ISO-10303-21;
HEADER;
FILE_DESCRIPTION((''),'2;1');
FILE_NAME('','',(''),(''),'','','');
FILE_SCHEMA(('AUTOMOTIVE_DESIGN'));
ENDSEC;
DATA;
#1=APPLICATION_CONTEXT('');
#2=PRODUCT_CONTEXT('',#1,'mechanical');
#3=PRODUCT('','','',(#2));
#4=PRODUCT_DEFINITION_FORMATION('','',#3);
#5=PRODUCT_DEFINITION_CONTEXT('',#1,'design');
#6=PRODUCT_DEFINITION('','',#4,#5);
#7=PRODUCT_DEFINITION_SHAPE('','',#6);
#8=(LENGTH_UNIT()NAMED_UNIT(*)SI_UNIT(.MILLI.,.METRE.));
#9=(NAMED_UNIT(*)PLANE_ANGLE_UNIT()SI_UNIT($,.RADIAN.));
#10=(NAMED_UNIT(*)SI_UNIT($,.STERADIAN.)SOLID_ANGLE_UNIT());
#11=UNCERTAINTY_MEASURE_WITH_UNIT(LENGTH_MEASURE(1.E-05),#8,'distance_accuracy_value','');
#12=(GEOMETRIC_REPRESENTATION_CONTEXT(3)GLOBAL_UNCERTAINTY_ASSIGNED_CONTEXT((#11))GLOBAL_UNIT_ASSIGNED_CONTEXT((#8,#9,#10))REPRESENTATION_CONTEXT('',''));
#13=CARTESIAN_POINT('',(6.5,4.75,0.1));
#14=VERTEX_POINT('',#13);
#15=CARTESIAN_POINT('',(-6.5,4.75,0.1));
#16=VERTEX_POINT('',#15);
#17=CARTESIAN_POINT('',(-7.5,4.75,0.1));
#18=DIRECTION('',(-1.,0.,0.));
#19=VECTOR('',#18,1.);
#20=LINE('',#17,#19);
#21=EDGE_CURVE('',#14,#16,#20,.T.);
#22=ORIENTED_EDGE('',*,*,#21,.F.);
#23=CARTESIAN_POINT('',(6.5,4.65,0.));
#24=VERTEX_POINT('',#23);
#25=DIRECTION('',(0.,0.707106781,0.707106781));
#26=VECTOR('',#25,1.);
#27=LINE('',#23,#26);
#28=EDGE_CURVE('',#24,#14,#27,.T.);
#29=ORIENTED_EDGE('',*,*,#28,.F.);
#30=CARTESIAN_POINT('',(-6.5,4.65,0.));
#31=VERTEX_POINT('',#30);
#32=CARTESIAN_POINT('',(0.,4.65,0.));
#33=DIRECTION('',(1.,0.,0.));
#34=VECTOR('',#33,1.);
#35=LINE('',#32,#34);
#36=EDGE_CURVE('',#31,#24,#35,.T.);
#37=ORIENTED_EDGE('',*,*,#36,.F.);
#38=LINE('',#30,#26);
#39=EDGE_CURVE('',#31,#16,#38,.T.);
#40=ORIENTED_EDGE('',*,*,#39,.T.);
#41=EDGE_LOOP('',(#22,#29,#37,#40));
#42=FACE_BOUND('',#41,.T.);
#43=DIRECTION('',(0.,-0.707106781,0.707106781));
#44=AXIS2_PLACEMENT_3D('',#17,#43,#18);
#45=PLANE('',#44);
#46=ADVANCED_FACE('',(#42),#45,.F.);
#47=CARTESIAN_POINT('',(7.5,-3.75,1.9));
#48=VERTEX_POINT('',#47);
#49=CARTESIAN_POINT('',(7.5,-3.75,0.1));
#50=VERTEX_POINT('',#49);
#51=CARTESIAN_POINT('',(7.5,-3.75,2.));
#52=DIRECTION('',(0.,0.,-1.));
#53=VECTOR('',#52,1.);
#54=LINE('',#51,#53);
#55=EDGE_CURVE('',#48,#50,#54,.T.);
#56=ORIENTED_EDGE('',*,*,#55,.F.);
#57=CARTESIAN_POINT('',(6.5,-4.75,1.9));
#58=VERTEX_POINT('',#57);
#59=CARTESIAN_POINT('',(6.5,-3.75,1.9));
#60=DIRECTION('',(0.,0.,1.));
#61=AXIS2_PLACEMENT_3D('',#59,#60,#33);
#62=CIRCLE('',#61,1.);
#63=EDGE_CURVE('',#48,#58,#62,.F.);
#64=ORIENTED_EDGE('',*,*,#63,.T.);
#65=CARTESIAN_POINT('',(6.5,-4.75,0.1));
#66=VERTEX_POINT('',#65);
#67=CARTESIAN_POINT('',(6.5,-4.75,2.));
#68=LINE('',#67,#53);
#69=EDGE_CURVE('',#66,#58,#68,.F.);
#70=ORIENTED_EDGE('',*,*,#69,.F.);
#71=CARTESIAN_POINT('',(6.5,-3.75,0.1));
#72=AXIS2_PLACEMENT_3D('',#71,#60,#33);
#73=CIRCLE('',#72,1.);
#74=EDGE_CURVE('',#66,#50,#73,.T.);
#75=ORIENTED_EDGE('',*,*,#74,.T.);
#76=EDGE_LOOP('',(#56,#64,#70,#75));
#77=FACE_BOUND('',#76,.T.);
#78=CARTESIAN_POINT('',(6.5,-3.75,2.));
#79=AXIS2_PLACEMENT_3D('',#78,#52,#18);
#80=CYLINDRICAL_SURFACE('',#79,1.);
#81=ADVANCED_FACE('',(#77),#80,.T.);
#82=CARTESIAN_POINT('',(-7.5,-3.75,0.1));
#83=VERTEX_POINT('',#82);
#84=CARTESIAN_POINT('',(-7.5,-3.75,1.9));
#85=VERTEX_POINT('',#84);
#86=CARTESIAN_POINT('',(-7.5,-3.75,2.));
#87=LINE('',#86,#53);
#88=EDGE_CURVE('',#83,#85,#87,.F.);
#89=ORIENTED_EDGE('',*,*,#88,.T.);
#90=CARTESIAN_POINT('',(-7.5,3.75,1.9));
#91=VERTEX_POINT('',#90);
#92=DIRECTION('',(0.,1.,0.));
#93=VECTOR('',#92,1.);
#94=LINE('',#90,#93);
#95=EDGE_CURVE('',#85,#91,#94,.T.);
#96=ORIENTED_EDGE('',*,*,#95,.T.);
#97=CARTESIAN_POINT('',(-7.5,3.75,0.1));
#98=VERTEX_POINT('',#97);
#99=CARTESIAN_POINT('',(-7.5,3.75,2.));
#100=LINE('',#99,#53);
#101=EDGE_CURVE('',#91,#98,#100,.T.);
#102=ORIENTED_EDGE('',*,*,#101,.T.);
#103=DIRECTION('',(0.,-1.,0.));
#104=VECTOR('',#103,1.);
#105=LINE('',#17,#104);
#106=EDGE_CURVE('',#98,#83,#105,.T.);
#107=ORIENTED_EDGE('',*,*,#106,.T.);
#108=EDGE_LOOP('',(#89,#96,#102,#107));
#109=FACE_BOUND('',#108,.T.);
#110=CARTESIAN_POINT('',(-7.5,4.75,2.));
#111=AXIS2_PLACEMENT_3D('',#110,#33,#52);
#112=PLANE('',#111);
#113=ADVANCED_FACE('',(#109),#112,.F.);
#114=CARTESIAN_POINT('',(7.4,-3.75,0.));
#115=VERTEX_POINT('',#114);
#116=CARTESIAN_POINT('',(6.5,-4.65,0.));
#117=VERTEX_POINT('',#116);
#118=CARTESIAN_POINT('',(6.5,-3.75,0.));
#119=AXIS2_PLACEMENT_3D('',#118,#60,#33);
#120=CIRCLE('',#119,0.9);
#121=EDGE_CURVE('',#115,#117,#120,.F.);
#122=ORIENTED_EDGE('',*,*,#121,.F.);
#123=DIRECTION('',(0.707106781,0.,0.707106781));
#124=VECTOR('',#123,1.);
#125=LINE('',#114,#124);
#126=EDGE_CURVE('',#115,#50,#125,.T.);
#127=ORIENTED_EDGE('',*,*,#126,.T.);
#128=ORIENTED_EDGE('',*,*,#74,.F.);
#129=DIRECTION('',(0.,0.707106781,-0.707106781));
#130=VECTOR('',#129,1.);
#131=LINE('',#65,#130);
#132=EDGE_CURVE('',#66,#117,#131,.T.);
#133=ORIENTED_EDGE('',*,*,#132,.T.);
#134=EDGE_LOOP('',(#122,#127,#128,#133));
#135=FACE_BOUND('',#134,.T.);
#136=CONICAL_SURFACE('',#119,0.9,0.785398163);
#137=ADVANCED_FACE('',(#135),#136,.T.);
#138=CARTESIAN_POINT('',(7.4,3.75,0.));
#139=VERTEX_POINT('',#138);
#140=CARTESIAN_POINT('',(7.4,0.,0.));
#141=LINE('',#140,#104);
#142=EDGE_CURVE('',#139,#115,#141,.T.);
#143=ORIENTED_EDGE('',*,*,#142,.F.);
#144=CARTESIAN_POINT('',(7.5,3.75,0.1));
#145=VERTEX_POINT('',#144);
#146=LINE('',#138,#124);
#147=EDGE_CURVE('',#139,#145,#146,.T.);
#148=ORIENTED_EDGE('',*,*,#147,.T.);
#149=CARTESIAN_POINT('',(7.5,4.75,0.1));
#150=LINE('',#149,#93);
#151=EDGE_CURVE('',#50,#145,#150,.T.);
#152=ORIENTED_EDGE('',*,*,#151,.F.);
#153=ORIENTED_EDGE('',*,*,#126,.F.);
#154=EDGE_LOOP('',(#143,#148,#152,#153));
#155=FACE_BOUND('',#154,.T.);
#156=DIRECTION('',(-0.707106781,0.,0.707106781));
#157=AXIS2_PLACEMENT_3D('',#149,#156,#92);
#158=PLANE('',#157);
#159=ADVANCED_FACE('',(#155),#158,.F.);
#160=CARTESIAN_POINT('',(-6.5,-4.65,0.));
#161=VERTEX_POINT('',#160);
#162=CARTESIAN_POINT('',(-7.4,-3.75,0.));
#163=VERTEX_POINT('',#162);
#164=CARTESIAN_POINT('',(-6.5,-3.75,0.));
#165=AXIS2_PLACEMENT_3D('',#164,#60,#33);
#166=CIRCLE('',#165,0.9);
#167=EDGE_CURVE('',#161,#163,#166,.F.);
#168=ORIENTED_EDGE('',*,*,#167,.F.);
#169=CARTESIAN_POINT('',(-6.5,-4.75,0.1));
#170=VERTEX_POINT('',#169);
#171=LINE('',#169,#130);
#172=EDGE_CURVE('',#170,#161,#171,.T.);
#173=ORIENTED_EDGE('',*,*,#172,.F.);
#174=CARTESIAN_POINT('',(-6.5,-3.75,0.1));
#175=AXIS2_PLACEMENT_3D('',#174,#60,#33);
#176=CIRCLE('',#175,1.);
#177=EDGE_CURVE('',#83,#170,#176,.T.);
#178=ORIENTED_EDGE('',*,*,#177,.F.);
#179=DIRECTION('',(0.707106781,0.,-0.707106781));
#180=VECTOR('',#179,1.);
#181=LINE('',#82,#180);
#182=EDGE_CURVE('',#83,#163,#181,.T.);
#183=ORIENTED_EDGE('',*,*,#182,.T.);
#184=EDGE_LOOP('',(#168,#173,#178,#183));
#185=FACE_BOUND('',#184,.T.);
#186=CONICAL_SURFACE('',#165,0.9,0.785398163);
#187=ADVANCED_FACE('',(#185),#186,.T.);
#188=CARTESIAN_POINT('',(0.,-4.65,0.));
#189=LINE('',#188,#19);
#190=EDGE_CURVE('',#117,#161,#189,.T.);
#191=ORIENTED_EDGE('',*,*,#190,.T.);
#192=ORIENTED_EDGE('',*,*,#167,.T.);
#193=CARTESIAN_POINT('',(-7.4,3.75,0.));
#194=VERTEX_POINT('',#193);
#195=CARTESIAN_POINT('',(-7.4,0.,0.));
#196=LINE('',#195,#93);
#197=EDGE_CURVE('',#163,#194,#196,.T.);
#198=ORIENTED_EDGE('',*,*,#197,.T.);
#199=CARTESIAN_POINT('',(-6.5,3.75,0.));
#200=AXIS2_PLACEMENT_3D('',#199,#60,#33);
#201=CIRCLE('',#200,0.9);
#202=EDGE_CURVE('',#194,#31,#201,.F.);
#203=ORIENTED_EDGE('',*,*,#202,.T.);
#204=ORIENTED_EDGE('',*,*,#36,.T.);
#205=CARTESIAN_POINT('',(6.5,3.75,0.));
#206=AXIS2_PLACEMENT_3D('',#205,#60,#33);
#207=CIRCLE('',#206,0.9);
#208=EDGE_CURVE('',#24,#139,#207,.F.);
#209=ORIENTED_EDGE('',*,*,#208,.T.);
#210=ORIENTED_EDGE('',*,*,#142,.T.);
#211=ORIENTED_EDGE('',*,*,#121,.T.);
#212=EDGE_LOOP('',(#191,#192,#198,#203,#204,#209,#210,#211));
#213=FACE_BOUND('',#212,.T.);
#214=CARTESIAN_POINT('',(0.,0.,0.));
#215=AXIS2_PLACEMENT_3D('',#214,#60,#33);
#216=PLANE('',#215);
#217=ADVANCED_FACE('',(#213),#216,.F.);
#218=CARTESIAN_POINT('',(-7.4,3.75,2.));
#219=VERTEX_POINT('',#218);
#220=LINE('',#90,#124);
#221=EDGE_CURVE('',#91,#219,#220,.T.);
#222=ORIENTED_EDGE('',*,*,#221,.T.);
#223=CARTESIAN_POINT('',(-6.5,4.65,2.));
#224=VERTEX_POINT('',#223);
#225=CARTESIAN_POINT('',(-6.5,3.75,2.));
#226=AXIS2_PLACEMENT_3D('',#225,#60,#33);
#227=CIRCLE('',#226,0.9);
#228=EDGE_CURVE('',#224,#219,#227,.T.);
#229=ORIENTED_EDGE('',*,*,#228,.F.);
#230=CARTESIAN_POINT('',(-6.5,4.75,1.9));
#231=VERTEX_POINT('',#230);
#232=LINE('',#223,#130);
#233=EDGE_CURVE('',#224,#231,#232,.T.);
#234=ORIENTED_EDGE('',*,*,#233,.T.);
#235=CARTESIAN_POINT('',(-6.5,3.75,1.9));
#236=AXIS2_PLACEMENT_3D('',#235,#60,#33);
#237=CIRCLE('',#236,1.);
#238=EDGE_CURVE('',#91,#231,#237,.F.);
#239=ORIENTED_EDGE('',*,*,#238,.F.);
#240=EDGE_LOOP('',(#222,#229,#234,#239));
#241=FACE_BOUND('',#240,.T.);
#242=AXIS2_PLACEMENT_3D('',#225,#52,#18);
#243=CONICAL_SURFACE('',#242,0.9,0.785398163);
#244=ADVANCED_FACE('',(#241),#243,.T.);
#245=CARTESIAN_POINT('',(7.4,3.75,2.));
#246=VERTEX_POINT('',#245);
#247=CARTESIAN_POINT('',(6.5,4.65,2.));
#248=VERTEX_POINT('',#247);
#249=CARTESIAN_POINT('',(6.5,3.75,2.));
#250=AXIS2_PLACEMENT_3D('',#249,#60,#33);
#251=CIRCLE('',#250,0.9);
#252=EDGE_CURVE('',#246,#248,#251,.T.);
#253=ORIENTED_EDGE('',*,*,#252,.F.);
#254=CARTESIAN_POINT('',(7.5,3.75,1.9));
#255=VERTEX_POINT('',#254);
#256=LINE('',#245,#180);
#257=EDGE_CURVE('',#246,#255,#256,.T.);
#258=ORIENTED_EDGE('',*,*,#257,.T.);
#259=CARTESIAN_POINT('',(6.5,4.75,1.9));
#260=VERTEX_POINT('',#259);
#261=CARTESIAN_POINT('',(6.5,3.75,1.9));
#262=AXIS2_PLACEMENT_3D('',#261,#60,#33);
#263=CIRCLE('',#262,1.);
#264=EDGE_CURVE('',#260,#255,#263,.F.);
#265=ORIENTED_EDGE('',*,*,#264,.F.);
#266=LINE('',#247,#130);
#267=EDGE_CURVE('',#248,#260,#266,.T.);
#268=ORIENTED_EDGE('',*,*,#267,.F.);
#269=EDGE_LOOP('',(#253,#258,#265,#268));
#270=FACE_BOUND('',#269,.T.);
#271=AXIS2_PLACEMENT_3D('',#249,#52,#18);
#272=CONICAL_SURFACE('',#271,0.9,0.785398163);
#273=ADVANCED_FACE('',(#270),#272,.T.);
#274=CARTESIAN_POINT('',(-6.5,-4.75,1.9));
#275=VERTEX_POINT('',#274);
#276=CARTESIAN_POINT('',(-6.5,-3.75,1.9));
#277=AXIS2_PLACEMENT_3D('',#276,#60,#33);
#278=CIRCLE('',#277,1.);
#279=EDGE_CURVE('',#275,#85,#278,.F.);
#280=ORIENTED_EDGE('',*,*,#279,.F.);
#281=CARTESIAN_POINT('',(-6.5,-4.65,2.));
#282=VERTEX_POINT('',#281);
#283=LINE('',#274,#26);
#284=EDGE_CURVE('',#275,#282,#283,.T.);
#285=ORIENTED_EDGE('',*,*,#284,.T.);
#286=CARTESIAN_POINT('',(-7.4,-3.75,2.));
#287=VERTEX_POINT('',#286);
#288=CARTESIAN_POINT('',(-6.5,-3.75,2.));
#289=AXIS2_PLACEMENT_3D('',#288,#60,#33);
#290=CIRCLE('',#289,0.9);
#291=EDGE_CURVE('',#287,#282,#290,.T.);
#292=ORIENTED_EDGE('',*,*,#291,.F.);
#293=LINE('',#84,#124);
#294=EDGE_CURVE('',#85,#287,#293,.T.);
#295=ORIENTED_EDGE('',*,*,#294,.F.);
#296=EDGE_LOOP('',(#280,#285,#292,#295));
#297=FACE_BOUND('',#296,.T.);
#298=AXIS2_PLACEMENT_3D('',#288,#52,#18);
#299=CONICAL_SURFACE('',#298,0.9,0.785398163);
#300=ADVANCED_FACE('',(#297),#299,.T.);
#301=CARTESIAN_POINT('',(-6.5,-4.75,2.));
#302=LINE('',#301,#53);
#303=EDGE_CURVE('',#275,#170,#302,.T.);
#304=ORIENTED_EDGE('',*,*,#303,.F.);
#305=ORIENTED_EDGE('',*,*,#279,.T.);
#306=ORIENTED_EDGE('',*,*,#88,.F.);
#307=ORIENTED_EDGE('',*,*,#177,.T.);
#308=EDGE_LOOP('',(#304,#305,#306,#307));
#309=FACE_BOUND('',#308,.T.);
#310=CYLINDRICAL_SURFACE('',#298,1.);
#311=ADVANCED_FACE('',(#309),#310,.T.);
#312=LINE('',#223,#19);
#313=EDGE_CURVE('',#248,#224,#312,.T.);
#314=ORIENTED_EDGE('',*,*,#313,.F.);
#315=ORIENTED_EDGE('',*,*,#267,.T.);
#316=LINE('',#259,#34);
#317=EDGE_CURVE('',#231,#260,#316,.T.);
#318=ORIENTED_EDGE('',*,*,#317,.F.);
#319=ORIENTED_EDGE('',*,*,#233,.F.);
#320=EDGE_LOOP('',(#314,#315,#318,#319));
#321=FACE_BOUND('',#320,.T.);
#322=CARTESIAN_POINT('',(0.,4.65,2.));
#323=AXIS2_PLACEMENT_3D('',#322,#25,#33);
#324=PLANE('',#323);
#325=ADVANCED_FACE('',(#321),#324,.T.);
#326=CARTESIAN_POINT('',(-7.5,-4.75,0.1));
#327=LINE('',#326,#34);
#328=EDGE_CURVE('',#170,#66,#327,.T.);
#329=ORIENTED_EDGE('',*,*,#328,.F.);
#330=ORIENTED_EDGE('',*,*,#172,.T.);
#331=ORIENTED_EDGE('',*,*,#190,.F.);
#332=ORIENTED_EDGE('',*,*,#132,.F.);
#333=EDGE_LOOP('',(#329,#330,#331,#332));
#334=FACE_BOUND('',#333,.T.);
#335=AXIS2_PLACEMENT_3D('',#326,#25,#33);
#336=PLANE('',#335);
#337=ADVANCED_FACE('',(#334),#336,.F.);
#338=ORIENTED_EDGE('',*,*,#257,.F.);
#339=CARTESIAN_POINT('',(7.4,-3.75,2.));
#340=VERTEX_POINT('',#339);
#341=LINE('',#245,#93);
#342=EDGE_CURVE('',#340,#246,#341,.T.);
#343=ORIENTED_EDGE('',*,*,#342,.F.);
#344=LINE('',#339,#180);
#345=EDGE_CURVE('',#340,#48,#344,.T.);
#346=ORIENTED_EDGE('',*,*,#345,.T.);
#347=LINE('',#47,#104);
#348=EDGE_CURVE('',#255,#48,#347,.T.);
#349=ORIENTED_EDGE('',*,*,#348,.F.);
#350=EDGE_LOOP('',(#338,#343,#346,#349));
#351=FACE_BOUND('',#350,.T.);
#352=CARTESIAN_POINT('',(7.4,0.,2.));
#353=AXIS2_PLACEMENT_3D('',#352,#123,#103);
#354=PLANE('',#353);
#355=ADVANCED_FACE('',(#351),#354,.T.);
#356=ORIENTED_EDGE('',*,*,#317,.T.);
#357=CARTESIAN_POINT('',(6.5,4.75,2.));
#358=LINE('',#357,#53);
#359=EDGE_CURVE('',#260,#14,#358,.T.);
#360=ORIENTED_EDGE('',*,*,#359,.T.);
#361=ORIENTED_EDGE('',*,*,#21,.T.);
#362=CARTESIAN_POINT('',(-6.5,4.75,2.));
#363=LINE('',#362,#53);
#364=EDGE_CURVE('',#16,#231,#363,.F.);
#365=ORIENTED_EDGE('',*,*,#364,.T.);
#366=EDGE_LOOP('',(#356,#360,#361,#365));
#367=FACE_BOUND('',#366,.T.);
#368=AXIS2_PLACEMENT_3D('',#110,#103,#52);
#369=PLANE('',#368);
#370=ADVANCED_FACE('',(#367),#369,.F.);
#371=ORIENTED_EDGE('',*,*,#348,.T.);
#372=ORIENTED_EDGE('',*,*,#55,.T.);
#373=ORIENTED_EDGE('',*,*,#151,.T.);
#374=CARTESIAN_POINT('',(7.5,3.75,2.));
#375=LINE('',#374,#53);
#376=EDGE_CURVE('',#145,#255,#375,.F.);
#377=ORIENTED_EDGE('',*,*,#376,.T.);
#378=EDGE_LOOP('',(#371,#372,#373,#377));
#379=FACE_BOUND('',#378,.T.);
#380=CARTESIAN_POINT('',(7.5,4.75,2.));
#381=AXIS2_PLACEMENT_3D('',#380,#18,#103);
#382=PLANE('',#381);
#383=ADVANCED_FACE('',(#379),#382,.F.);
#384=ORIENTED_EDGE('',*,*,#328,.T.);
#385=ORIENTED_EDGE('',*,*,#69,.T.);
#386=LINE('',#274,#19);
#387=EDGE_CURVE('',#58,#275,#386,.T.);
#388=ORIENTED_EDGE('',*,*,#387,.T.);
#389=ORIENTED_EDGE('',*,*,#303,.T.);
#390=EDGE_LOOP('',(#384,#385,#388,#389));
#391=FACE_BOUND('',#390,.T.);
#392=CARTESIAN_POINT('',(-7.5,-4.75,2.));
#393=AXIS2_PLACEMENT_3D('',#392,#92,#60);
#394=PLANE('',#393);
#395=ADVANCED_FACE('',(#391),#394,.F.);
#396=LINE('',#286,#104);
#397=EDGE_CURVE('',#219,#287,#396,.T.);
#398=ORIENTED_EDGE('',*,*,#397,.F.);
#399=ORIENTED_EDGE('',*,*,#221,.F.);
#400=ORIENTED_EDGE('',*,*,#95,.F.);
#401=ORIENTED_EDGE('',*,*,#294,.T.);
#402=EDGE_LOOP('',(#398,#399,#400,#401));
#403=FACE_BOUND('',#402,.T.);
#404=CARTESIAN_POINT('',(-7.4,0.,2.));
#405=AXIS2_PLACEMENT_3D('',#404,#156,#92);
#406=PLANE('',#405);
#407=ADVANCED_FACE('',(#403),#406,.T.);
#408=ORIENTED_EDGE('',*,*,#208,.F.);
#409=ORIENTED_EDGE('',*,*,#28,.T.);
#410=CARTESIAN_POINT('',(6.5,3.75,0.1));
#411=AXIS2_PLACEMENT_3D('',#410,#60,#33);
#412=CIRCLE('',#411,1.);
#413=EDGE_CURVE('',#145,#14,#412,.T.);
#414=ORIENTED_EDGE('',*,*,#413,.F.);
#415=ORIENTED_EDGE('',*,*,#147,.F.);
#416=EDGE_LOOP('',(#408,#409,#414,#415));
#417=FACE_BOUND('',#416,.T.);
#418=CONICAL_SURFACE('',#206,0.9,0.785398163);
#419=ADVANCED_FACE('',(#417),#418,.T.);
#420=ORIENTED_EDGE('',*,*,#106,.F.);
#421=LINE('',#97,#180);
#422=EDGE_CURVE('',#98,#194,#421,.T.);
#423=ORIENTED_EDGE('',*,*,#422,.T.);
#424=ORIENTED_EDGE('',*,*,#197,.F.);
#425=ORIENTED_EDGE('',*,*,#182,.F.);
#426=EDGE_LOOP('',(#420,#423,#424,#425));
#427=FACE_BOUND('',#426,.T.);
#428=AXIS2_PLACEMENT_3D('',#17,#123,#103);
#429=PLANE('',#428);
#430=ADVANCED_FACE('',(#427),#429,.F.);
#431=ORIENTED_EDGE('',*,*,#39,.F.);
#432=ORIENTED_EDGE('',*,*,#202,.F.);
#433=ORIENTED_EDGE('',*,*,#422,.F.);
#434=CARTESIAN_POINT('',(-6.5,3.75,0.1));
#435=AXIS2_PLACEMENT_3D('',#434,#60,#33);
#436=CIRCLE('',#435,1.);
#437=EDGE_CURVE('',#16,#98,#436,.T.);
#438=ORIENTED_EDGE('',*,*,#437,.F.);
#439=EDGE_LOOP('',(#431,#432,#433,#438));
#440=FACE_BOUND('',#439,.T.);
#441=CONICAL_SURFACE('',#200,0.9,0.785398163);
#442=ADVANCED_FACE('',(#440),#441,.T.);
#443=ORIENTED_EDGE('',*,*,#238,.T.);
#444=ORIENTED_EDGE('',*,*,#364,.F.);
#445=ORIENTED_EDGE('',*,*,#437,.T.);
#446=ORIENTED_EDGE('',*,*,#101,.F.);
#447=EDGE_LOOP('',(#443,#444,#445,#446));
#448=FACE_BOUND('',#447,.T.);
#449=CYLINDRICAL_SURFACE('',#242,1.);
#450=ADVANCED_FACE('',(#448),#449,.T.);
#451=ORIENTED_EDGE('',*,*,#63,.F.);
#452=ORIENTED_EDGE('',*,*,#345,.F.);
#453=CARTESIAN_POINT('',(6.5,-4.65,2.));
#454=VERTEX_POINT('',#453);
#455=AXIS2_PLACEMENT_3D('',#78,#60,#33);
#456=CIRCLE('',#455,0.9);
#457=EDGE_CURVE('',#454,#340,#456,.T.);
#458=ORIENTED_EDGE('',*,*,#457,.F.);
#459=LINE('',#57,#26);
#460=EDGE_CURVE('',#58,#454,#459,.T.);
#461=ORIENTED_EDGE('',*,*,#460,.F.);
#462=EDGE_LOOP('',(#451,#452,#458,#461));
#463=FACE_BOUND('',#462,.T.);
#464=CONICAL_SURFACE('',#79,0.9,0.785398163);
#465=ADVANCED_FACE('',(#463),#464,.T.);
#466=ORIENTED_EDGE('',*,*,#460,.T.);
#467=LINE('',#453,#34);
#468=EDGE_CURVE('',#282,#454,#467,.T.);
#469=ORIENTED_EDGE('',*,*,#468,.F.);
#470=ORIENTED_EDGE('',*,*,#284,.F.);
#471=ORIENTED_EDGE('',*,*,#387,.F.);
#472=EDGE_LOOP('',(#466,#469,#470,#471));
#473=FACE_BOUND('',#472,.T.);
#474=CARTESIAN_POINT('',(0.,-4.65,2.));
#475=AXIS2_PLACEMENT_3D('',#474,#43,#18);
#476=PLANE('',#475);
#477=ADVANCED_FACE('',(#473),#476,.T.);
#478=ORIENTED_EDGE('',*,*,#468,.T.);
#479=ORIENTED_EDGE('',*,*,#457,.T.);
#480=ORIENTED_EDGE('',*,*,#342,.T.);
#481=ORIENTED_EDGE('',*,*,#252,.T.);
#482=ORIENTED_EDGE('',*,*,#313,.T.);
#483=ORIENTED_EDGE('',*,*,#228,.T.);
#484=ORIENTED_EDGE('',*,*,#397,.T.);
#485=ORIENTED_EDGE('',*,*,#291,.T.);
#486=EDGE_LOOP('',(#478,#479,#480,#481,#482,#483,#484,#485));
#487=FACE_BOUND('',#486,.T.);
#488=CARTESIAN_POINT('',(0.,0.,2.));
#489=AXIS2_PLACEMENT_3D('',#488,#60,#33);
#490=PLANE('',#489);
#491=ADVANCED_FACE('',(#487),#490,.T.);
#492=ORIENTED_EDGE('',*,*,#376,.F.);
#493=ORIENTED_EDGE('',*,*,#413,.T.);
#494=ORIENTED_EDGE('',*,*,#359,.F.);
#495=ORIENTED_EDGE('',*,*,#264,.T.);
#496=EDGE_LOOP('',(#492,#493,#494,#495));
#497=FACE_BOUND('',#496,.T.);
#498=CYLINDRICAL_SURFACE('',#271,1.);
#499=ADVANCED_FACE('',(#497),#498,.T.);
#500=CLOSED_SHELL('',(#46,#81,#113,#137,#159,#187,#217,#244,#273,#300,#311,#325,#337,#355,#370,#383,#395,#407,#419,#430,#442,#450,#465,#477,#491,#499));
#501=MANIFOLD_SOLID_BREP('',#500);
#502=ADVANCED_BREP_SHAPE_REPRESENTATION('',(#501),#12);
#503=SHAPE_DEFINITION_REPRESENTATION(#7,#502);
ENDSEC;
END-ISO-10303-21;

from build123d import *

# Parameters (mm, degrees)
SKETCH1_W           = 15
SKETCH1_H           = 9.5
BOSS_EXTRUDE1_DEPTH = 2
FILLET1_R           = 1
CHAMFER1_SIZE       = 0.1


with BuildPart() as part:
    # Sketch1 → Boss-Extrude1 (new body)
    with BuildSketch(Plane.XY):
        Rectangle(SKETCH1_W, SKETCH1_H)
    extrude(amount=BOSS_EXTRUDE1_DEPTH)

    # Fillet1
    fillet1_edges = [part.edges().sort_by_distance(p)[0] for p in [
        (-7.5, 4.75, 1),
        (7.5, 4.75, 1),
        (7.5, -4.75, 1),
        (-7.5, -4.75, 1),
    ]]
    fillet(fillet1_edges, radius=FILLET1_R)

    # Chamfer1
    chamfer1_edges = [part.edges().sort_by_distance(p)[0] for p in [
        (0, -4.75, 0),
        (0, -4.75, 2),
        (-7.5, 0, 0),
        (0, 4.75, 0),
        (7.5, 0, 0),
        (7.207106781, 4.457106781, 0),
        (7.207106781, -4.457106781, 0),
        (-7.207106781, 4.457106781, 0),
        (-7.207106781, -4.457106781, 0),
        (-7.5, 0, 2),
        (7.5, 0, 2),
        (0, 4.75, 2),
        (7.207106781, 4.457106781, 2),
        (7.207106781, -4.457106781, 2),
        (-7.207106781, 4.457106781, 2),
        (-7.207106781, -4.457106781, 2),
    ]]
    chamfer(chamfer1_edges, length=CHAMFER1_SIZE)


solid = part.part
